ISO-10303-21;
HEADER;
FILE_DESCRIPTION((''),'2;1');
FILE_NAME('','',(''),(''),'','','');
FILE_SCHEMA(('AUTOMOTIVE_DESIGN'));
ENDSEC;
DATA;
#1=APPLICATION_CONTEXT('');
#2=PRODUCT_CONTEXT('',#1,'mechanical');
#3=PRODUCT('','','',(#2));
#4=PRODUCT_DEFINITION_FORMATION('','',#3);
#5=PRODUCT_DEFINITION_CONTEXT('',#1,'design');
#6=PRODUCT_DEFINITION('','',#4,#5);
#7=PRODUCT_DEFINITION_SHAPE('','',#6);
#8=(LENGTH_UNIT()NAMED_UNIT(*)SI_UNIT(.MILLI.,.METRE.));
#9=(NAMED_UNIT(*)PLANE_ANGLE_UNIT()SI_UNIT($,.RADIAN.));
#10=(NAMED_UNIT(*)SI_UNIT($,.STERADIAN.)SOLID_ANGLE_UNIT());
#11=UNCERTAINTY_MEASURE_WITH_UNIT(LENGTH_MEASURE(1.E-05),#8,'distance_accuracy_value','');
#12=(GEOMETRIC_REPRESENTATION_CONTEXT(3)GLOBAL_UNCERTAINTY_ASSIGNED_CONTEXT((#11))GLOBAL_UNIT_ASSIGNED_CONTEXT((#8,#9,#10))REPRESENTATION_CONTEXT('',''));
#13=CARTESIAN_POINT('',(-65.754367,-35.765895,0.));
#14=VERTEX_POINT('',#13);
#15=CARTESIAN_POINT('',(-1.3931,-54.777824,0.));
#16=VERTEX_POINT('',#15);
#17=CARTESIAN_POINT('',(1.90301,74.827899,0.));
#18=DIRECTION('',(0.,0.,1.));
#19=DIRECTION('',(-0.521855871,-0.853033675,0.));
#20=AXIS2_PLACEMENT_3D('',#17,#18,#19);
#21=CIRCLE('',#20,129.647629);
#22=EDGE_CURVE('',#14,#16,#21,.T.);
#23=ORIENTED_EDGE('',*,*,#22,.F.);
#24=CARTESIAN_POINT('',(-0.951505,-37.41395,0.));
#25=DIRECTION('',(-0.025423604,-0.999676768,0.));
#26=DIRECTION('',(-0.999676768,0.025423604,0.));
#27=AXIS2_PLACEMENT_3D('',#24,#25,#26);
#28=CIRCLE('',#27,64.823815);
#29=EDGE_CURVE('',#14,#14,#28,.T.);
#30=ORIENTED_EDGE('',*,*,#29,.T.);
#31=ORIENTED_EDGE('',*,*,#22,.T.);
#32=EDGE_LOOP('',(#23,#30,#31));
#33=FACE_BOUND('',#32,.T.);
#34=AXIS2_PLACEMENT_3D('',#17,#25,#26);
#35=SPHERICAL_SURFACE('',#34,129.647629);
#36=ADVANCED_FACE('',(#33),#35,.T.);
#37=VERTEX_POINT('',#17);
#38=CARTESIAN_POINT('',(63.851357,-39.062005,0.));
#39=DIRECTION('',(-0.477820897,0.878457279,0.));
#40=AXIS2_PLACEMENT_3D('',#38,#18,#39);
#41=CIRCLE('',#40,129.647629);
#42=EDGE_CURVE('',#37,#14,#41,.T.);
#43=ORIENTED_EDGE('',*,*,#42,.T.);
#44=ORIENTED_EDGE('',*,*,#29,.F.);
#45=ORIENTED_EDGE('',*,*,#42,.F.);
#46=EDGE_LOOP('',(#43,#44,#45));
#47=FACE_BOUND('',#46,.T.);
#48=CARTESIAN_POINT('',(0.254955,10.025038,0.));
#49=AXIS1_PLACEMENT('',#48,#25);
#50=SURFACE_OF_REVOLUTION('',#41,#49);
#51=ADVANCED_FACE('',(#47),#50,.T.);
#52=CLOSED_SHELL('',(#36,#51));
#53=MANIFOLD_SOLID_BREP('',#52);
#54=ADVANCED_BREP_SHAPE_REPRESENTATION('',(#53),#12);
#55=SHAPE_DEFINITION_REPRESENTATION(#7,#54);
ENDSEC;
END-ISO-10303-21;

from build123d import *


with BuildPart() as f1:
    # F0 (on Top) → F1 (revolve)
    with BuildSketch(Plane.XY):
        with BuildLine():
            Line((-1.3931000059, -54.777823942), (1.9030099981, 74.8278990688))
            ThreePointArc((1.9030099981, 74.8278990688), (-46.7424370948, 28.5953719661), (-65.7543665044, -35.7658945324))
            ThreePointArc((-65.7543665044, -35.7658945324), (-34.8252172505, -49.5085199784), (-1.3931000059, -54.777823942))
        make_face()
    revolve(axis=Axis((0.2549549961, 10.0250375634, 0), (-0.0254236041, -0.9996767679, 0)))


solid = f1.part
